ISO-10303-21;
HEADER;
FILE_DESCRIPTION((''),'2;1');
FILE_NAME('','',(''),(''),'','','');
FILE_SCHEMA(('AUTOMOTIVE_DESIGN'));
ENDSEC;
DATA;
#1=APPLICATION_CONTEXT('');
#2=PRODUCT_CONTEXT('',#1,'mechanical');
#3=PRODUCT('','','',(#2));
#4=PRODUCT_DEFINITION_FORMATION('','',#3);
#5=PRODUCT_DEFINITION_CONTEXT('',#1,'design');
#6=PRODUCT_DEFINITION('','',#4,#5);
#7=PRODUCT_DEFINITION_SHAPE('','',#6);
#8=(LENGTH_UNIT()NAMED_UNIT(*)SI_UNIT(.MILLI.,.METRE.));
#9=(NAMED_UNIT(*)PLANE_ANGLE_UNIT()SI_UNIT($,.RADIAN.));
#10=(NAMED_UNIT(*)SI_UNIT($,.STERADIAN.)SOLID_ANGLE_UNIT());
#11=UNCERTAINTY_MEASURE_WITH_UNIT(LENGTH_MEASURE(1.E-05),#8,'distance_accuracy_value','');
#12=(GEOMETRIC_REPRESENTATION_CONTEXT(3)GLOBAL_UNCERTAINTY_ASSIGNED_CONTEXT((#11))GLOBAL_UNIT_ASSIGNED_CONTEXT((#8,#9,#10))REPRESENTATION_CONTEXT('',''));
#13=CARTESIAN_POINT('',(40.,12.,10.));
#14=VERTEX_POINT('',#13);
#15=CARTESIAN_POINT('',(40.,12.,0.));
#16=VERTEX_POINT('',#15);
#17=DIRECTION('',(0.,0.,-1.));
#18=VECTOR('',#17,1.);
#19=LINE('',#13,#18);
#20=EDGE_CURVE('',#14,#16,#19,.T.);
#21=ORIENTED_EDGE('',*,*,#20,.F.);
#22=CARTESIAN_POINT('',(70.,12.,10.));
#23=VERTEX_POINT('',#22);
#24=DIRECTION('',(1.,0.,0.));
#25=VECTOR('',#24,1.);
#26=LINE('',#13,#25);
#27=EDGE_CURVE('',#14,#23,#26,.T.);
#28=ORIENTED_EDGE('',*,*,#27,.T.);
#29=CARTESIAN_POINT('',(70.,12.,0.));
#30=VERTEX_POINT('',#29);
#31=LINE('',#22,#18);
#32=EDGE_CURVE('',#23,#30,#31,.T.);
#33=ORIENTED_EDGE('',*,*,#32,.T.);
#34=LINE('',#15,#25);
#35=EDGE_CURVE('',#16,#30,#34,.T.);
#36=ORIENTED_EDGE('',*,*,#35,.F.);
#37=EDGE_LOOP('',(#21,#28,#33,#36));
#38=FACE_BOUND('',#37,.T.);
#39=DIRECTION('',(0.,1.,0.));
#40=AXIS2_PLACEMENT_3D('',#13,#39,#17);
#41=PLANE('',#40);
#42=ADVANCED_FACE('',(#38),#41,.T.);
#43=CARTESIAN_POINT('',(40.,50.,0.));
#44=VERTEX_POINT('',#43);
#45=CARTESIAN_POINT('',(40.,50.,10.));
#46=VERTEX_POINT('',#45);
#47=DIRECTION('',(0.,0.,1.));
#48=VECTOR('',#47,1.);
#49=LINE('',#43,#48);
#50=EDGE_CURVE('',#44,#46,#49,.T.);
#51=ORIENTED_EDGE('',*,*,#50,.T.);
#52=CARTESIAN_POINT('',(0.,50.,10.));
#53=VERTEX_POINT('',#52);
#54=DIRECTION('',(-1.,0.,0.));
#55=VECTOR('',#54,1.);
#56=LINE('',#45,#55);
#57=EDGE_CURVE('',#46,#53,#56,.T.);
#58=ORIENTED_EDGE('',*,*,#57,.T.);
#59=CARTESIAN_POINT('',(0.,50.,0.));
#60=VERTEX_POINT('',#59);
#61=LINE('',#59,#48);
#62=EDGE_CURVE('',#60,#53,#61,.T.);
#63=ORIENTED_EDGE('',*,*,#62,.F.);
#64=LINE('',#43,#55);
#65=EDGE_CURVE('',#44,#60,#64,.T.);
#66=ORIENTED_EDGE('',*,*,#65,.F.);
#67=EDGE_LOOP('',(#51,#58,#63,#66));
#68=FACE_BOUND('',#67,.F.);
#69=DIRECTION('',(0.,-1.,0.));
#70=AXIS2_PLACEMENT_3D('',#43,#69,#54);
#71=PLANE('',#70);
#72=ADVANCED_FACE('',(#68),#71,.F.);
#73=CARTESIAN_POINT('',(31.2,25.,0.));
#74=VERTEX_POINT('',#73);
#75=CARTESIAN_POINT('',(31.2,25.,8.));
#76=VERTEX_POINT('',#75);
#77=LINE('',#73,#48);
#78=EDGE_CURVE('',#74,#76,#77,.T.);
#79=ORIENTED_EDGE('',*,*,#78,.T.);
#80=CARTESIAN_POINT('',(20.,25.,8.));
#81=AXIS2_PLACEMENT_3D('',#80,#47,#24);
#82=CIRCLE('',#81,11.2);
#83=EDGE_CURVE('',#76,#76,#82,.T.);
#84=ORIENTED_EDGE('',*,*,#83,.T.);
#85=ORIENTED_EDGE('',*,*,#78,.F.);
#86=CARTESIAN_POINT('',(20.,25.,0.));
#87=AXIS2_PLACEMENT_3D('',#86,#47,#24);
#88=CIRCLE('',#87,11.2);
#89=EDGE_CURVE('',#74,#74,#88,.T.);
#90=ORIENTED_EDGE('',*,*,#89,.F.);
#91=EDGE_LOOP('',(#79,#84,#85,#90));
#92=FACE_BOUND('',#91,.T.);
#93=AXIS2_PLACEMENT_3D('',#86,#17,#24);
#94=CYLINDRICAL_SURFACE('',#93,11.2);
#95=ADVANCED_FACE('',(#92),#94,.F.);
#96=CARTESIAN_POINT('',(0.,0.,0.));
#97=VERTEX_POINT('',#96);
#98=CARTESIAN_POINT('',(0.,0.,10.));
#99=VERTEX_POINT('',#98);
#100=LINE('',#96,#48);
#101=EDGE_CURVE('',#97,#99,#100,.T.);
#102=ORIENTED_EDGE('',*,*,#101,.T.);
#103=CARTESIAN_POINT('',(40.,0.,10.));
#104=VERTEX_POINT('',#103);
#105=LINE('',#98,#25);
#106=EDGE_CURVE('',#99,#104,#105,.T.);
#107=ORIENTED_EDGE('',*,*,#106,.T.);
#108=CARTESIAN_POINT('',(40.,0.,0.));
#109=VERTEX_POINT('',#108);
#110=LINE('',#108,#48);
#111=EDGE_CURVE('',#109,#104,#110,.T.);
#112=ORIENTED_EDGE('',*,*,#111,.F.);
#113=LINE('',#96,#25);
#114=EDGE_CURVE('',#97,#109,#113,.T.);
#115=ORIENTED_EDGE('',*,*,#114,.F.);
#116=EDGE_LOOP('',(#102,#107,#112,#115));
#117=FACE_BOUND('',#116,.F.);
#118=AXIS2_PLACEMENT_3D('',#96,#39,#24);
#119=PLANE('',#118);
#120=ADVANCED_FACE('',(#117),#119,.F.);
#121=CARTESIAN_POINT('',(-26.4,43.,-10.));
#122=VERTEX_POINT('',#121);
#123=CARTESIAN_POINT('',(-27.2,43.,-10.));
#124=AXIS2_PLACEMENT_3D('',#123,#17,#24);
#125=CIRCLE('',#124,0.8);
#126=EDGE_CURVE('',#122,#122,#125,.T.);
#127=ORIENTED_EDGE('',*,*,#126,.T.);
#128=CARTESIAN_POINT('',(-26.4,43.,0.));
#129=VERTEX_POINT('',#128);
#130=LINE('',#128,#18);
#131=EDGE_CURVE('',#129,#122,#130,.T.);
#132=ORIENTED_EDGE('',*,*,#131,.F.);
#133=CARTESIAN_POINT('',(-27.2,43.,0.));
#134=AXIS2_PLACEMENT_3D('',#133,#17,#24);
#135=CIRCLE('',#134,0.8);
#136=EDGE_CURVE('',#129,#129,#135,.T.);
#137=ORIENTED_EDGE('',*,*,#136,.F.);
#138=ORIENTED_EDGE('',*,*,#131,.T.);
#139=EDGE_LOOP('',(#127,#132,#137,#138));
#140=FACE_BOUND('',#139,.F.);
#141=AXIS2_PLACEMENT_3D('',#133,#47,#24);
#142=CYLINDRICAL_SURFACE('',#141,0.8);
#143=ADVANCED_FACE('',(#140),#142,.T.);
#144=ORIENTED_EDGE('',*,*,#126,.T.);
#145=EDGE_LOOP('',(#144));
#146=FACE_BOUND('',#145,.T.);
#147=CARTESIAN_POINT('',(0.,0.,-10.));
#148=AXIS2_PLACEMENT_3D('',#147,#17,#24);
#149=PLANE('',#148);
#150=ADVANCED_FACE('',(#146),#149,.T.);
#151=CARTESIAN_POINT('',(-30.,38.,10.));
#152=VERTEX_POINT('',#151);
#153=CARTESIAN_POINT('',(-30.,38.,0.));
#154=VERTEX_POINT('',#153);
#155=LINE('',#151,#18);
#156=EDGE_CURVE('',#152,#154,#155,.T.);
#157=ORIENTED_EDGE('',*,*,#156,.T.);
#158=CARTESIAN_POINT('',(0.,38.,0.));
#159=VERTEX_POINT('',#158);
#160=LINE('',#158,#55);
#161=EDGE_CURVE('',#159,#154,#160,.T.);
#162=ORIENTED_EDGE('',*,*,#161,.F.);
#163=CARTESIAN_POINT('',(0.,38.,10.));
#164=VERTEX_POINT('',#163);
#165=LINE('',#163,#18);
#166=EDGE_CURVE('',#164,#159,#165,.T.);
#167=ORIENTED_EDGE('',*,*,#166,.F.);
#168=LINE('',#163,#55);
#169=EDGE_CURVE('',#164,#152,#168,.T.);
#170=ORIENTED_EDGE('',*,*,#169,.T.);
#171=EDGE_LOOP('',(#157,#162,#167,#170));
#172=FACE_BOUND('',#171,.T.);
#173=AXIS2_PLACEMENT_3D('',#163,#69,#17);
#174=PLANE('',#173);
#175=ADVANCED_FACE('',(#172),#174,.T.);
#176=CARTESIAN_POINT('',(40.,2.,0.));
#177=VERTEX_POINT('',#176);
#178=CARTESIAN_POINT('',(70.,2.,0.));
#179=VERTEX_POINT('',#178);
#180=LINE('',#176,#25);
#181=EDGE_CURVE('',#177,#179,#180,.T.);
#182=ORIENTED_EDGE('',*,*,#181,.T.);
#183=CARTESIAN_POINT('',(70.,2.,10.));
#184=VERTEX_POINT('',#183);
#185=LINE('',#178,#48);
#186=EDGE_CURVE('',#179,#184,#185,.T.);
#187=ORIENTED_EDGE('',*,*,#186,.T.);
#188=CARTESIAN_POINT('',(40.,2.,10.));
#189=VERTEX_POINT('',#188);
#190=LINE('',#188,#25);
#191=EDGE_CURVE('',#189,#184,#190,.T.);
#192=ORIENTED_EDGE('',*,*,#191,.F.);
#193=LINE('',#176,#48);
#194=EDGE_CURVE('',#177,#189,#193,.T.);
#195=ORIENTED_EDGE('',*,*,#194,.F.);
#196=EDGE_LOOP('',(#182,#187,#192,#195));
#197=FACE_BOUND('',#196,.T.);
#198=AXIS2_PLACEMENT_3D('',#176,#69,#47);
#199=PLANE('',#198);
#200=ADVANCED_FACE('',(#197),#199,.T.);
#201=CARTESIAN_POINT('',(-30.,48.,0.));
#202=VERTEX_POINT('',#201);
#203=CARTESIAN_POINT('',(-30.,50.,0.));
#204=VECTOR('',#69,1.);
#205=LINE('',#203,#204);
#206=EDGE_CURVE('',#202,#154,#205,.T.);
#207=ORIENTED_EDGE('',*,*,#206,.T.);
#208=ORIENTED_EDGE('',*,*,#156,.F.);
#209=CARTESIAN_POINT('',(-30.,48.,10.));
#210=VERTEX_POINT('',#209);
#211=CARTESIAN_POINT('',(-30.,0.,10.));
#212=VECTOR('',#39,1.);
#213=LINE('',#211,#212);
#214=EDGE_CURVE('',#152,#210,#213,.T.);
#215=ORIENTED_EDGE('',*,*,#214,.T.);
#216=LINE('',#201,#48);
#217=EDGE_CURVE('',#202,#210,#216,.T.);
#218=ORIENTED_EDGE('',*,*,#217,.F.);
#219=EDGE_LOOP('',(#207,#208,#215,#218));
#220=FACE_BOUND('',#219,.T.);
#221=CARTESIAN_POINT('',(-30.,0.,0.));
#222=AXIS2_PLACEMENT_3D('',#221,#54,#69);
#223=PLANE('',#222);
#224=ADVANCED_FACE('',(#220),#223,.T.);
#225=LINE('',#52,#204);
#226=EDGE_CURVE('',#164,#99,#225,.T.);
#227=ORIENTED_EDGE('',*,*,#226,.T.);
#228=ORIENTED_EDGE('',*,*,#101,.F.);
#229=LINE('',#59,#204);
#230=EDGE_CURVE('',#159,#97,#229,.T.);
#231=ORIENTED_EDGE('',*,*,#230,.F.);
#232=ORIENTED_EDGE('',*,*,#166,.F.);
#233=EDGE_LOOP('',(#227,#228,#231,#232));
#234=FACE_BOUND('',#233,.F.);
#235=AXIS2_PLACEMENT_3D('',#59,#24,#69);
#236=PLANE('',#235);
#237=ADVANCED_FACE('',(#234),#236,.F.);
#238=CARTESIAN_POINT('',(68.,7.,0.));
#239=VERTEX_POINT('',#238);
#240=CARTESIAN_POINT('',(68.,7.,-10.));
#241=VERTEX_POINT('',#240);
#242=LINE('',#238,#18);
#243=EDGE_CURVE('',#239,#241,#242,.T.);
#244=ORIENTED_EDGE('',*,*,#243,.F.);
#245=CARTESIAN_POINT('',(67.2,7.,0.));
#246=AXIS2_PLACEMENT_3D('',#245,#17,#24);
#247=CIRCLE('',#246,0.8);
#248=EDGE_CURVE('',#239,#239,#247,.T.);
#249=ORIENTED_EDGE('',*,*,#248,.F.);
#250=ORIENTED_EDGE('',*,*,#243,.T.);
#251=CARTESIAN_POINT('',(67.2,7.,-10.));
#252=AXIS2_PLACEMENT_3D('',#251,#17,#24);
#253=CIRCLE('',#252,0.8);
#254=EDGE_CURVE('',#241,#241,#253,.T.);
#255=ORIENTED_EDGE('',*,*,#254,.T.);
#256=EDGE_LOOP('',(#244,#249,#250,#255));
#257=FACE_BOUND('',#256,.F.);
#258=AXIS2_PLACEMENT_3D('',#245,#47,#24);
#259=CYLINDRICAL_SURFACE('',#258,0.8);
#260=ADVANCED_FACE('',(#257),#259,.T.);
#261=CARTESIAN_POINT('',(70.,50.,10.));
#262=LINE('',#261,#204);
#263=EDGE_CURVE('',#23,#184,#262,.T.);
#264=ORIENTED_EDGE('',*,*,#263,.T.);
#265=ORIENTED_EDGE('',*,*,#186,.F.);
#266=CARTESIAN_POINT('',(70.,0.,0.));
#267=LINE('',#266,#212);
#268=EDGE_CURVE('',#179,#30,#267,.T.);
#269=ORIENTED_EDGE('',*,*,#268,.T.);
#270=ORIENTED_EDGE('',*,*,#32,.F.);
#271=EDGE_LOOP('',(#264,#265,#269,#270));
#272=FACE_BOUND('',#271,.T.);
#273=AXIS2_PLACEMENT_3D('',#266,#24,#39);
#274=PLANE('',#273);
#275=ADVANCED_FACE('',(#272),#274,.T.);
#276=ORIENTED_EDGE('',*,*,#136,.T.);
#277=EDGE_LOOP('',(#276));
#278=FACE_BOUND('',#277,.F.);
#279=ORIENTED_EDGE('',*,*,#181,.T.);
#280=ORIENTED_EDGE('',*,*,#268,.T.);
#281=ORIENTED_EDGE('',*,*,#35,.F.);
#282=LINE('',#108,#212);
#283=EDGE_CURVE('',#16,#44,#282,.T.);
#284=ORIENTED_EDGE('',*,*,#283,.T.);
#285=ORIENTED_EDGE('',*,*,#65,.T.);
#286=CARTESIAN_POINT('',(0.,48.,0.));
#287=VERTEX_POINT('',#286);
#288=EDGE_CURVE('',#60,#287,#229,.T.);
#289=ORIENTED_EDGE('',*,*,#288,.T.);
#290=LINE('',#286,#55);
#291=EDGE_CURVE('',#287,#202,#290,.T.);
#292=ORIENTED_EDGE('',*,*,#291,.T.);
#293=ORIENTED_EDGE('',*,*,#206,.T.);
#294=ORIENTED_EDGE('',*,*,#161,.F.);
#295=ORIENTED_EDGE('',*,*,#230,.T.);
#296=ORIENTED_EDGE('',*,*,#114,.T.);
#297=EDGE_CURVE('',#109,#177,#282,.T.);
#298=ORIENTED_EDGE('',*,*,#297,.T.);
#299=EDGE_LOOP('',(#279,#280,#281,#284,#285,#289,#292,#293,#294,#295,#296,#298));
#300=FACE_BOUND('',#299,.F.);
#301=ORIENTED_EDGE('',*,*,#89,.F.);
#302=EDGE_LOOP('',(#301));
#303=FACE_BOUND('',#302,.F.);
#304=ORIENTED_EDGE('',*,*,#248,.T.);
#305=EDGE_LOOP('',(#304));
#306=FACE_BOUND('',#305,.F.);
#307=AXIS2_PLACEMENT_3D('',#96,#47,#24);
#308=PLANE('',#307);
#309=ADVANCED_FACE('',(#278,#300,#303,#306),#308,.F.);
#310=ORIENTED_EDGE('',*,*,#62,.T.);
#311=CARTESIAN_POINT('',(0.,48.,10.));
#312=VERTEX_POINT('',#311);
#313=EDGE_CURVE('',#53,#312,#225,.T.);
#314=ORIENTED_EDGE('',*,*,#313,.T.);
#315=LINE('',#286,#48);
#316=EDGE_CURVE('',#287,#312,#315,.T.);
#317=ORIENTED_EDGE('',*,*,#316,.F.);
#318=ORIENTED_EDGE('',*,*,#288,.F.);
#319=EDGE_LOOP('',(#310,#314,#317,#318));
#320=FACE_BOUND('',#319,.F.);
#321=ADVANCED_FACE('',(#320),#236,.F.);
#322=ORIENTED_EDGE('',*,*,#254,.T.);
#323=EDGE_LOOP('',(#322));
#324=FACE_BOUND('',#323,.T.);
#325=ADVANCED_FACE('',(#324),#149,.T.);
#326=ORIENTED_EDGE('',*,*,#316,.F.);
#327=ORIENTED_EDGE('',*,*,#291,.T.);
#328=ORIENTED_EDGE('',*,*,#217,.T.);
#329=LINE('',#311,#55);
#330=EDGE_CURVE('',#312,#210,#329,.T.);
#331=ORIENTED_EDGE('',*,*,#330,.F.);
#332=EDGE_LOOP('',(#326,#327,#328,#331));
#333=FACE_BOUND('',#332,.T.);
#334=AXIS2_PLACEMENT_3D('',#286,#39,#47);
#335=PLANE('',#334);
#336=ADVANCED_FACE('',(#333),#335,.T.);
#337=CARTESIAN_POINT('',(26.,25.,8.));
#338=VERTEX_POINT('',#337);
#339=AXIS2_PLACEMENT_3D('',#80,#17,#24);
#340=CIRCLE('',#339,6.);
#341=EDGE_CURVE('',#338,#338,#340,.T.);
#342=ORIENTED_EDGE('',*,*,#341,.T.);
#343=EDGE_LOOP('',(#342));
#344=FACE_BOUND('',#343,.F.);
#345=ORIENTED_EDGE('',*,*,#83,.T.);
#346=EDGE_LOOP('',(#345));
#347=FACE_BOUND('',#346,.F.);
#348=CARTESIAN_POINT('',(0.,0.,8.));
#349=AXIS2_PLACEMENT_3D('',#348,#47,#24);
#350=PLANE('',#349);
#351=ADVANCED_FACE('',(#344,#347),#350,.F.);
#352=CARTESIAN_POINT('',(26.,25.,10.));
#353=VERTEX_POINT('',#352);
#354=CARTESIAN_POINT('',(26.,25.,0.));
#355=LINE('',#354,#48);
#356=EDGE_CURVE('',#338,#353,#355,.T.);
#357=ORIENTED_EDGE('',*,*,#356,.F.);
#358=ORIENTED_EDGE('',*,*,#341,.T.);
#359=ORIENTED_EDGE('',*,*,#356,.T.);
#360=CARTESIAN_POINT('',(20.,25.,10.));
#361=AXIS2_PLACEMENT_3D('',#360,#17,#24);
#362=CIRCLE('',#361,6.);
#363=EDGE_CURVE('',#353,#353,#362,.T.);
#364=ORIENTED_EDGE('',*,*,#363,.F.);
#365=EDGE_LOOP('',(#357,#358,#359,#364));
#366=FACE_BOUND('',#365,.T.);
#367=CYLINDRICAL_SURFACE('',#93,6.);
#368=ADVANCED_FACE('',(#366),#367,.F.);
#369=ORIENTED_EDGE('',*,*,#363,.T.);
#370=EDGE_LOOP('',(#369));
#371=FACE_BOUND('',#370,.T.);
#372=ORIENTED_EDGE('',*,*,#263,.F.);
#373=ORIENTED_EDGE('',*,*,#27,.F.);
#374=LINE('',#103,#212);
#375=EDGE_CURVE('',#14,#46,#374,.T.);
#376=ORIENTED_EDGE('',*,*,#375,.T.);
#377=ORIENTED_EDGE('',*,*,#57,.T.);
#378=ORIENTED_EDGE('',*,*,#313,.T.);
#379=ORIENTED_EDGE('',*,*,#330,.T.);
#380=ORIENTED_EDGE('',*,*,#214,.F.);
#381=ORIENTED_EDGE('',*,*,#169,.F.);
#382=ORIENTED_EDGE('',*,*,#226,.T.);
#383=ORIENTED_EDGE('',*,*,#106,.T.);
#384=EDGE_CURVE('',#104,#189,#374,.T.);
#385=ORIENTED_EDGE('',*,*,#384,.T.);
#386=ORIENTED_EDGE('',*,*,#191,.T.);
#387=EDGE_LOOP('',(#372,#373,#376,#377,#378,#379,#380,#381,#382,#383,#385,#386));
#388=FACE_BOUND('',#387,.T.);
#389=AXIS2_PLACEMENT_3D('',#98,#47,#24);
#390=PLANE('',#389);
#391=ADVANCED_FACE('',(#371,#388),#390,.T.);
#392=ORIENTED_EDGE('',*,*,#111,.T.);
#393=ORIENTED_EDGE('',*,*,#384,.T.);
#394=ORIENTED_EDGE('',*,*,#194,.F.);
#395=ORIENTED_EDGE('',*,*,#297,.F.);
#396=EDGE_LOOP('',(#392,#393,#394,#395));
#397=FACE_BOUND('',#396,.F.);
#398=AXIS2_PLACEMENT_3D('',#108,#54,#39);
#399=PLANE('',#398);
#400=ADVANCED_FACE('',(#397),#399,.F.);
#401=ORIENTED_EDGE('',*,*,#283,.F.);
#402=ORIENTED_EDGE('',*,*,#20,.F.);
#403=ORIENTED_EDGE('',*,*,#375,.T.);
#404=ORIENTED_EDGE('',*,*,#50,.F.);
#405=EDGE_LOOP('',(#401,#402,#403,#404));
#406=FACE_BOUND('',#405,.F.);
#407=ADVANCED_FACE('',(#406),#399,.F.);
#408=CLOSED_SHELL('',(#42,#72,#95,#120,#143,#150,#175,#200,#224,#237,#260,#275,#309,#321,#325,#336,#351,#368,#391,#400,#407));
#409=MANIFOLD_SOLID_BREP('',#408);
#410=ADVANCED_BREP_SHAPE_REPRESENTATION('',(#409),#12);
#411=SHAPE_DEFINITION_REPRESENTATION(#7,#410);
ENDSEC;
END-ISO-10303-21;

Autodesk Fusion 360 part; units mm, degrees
sketch "Top" plane through (0, 0, 0) normal (0, 0, 1) x (1, 0, 0)
  line L0 (0, 0) -> (40, 0)
  line L1 (40, 0) -> (40, 50)
  line L2 (40, 50) -> (0, 50)
  line L3 (0, 50) -> (0, 0)
  circle A0 centre (20, 25) radius 11.2
  circle A1 centre (20, 25) radius 6
  dimension "d6" = 40
  dimension "d7" = 50
  dimension "d11" = 22.4
  dimension "d12" = 25
  dimension "d13" = 20
  dimension "d27" = 12
extrude "Extrude1" add sketch "Top" along normal blind 10 contours L0 L1 L2 L3 | A0 | A1
extrude "Extrude2" cut sketch "Top" along normal blind 8 contours A0 | A1
extrude "Extrude5" cut sketch "Top" along normal blind 110 contours A1
sketch "Sketch5" plane through (0, 0, 0) normal (-1, 0, 0) x (0, -1, 0)
  line L0 (-50, 0) -> (0, 0)
  line L1 (0, 0) -> (0, 10)
  line L2 (0, 10) -> (-50, 10)
  line L3 (-50, 10) -> (-50, 0)
  line L4 (-48, 10) -> (-38, 10)
  line L5 (-38, 10) -> (-38, 0)
  line L6 (-38, 0) -> (-48, 0)
  line L7 (-48, 0) -> (-48, 10)
  dimension "d50" = 10
  dimension "d51" = 10
  dimension "d52" = 2
extrude "Extrude8" add sketch "Sketch5" along normal blind 30 contours L0 L2 L4 L5 L6 L7
sketch "Sketch8" plane through (40, 0, 0) normal (1, 0, 0) x (0, 1, 0)
  line L0 (0, 0) -> (50, 0)
  line L1 (50, 0) -> (50, 10)
  line L2 (50, 10) -> (0, 10)
  line L3 (0, 10) -> (0, 0)
  line L4 (2, 10) -> (12, 10)
  line L5 (12, 10) -> (12, 0)
  line L6 (12, 0) -> (2, 0)
  line L7 (2, 0) -> (2, 10)
  dimension "d72" = 10
  dimension "d73" = 10
  dimension "d74" = 2
extrude "Extrude11" add sketch "Sketch8" along normal blind 30 contours L0 L2 L4 L5 L6 L7
sketch "Sketch9" plane through (0, 0, 0) normal (0, 0, -1) x (1, 0, 0)
  circle A0 centre (20, -25) radius 11.2
  line L0 (0, -48) -> (0, -50)
  line L1 (0, -50) -> (40, -50)
  line L2 (40, -50) -> (40, -12)
  line L3 (40, -12) -> (70, -12)
  line L4 (70, -12) -> (70, -2)
  line L5 (70, -2) -> (40, -2)
  line L6 (40, -2) -> (40, 0)
  line L7 (40, 0) -> (0, 0)
  line L8 (0, 0) -> (0, -38)
  line L9 (0, -38) -> (-30, -38)
  line L10 (-30, -38) -> (-30, -48)
  line L11 (-30, -48) -> (0, -48)
  circle A1 centre (-27.2, -43) radius 0.8
  circle A2 centre (67.2, -7) radius 0.8
  dimension "d81" = 1.6
  dimension "d82" = 1.6
  dimension "d83" = 2.8
  dimension "d84" = 5
  dimension "d85" = 2.8
  dimension "d86" = 5
extrude "Extrude12" add sketch "Sketch9" along normal blind 10 contours A1 | A2
equation "length = 50 mm"
equation "width = 40 mm"
equation "thickness = 10 mm"
equation "extra = 100 mm"
equation "fit_gap = 0.2 mm"
equation "d6 = width"
equation "d7 = length"
equation "d8 = thickness"
equation "bearing_outer_radius = 11.1 mm"
equation "d11 = ( bearing_outer_radius * 2 ) + fit_gap"
equation "d12 = length / 2"
equation "d13 = width / 2"
equation "d14 = thickness - 2 mm"
equation "bearing_inner_radius = ( 8 mm + 4 mm ) / 2"
equation "d27 = bearing_inner_radius * 2"
equation "d28 = thickness + extra"
equation "rack_rock_bracket_length = 30 mm"
equation "rack_rock_bracket_width = 10 mm"
equation "rack_rock_bracket_big_distance = 2 mm"
equation "d50 = rack_rock_bracket_width"
equation "d51 = rack_rock_bracket_width"
equation "d52 = rack_rock_bracket_big_distance"
equation "d53 = rack_rock_bracket_length"
equation "d72 = rack_rock_bracket_width"
equation "d73 = rack_rock_bracket_width"
equation "d74 = rack_rock_bracket_big_distance"
equation "d75 = rack_rock_bracket_length"
equation "bearing_dowel_radius = 0.8 mm"
equation "bearing_dowel_length = 10 mm"
equation "bearing_dowel_big_distance = 2 mm + bearing_dowel_radius"
equation "bearing_dowel_small_distance = rack_rock_bracket_width / 2"
equation "d81 = bearing_dowel_radius * 2"
equation "d82 = bearing_dowel_radius * 2"
equation "d83 = bearing_dowel_big_distance"
equation "d84 = bearing_dowel_small_distance"
equation "d85 = bearing_dowel_big_distance"
equation "d86 = bearing_dowel_small_distance"
equation "d87 = bearing_dowel_length"
